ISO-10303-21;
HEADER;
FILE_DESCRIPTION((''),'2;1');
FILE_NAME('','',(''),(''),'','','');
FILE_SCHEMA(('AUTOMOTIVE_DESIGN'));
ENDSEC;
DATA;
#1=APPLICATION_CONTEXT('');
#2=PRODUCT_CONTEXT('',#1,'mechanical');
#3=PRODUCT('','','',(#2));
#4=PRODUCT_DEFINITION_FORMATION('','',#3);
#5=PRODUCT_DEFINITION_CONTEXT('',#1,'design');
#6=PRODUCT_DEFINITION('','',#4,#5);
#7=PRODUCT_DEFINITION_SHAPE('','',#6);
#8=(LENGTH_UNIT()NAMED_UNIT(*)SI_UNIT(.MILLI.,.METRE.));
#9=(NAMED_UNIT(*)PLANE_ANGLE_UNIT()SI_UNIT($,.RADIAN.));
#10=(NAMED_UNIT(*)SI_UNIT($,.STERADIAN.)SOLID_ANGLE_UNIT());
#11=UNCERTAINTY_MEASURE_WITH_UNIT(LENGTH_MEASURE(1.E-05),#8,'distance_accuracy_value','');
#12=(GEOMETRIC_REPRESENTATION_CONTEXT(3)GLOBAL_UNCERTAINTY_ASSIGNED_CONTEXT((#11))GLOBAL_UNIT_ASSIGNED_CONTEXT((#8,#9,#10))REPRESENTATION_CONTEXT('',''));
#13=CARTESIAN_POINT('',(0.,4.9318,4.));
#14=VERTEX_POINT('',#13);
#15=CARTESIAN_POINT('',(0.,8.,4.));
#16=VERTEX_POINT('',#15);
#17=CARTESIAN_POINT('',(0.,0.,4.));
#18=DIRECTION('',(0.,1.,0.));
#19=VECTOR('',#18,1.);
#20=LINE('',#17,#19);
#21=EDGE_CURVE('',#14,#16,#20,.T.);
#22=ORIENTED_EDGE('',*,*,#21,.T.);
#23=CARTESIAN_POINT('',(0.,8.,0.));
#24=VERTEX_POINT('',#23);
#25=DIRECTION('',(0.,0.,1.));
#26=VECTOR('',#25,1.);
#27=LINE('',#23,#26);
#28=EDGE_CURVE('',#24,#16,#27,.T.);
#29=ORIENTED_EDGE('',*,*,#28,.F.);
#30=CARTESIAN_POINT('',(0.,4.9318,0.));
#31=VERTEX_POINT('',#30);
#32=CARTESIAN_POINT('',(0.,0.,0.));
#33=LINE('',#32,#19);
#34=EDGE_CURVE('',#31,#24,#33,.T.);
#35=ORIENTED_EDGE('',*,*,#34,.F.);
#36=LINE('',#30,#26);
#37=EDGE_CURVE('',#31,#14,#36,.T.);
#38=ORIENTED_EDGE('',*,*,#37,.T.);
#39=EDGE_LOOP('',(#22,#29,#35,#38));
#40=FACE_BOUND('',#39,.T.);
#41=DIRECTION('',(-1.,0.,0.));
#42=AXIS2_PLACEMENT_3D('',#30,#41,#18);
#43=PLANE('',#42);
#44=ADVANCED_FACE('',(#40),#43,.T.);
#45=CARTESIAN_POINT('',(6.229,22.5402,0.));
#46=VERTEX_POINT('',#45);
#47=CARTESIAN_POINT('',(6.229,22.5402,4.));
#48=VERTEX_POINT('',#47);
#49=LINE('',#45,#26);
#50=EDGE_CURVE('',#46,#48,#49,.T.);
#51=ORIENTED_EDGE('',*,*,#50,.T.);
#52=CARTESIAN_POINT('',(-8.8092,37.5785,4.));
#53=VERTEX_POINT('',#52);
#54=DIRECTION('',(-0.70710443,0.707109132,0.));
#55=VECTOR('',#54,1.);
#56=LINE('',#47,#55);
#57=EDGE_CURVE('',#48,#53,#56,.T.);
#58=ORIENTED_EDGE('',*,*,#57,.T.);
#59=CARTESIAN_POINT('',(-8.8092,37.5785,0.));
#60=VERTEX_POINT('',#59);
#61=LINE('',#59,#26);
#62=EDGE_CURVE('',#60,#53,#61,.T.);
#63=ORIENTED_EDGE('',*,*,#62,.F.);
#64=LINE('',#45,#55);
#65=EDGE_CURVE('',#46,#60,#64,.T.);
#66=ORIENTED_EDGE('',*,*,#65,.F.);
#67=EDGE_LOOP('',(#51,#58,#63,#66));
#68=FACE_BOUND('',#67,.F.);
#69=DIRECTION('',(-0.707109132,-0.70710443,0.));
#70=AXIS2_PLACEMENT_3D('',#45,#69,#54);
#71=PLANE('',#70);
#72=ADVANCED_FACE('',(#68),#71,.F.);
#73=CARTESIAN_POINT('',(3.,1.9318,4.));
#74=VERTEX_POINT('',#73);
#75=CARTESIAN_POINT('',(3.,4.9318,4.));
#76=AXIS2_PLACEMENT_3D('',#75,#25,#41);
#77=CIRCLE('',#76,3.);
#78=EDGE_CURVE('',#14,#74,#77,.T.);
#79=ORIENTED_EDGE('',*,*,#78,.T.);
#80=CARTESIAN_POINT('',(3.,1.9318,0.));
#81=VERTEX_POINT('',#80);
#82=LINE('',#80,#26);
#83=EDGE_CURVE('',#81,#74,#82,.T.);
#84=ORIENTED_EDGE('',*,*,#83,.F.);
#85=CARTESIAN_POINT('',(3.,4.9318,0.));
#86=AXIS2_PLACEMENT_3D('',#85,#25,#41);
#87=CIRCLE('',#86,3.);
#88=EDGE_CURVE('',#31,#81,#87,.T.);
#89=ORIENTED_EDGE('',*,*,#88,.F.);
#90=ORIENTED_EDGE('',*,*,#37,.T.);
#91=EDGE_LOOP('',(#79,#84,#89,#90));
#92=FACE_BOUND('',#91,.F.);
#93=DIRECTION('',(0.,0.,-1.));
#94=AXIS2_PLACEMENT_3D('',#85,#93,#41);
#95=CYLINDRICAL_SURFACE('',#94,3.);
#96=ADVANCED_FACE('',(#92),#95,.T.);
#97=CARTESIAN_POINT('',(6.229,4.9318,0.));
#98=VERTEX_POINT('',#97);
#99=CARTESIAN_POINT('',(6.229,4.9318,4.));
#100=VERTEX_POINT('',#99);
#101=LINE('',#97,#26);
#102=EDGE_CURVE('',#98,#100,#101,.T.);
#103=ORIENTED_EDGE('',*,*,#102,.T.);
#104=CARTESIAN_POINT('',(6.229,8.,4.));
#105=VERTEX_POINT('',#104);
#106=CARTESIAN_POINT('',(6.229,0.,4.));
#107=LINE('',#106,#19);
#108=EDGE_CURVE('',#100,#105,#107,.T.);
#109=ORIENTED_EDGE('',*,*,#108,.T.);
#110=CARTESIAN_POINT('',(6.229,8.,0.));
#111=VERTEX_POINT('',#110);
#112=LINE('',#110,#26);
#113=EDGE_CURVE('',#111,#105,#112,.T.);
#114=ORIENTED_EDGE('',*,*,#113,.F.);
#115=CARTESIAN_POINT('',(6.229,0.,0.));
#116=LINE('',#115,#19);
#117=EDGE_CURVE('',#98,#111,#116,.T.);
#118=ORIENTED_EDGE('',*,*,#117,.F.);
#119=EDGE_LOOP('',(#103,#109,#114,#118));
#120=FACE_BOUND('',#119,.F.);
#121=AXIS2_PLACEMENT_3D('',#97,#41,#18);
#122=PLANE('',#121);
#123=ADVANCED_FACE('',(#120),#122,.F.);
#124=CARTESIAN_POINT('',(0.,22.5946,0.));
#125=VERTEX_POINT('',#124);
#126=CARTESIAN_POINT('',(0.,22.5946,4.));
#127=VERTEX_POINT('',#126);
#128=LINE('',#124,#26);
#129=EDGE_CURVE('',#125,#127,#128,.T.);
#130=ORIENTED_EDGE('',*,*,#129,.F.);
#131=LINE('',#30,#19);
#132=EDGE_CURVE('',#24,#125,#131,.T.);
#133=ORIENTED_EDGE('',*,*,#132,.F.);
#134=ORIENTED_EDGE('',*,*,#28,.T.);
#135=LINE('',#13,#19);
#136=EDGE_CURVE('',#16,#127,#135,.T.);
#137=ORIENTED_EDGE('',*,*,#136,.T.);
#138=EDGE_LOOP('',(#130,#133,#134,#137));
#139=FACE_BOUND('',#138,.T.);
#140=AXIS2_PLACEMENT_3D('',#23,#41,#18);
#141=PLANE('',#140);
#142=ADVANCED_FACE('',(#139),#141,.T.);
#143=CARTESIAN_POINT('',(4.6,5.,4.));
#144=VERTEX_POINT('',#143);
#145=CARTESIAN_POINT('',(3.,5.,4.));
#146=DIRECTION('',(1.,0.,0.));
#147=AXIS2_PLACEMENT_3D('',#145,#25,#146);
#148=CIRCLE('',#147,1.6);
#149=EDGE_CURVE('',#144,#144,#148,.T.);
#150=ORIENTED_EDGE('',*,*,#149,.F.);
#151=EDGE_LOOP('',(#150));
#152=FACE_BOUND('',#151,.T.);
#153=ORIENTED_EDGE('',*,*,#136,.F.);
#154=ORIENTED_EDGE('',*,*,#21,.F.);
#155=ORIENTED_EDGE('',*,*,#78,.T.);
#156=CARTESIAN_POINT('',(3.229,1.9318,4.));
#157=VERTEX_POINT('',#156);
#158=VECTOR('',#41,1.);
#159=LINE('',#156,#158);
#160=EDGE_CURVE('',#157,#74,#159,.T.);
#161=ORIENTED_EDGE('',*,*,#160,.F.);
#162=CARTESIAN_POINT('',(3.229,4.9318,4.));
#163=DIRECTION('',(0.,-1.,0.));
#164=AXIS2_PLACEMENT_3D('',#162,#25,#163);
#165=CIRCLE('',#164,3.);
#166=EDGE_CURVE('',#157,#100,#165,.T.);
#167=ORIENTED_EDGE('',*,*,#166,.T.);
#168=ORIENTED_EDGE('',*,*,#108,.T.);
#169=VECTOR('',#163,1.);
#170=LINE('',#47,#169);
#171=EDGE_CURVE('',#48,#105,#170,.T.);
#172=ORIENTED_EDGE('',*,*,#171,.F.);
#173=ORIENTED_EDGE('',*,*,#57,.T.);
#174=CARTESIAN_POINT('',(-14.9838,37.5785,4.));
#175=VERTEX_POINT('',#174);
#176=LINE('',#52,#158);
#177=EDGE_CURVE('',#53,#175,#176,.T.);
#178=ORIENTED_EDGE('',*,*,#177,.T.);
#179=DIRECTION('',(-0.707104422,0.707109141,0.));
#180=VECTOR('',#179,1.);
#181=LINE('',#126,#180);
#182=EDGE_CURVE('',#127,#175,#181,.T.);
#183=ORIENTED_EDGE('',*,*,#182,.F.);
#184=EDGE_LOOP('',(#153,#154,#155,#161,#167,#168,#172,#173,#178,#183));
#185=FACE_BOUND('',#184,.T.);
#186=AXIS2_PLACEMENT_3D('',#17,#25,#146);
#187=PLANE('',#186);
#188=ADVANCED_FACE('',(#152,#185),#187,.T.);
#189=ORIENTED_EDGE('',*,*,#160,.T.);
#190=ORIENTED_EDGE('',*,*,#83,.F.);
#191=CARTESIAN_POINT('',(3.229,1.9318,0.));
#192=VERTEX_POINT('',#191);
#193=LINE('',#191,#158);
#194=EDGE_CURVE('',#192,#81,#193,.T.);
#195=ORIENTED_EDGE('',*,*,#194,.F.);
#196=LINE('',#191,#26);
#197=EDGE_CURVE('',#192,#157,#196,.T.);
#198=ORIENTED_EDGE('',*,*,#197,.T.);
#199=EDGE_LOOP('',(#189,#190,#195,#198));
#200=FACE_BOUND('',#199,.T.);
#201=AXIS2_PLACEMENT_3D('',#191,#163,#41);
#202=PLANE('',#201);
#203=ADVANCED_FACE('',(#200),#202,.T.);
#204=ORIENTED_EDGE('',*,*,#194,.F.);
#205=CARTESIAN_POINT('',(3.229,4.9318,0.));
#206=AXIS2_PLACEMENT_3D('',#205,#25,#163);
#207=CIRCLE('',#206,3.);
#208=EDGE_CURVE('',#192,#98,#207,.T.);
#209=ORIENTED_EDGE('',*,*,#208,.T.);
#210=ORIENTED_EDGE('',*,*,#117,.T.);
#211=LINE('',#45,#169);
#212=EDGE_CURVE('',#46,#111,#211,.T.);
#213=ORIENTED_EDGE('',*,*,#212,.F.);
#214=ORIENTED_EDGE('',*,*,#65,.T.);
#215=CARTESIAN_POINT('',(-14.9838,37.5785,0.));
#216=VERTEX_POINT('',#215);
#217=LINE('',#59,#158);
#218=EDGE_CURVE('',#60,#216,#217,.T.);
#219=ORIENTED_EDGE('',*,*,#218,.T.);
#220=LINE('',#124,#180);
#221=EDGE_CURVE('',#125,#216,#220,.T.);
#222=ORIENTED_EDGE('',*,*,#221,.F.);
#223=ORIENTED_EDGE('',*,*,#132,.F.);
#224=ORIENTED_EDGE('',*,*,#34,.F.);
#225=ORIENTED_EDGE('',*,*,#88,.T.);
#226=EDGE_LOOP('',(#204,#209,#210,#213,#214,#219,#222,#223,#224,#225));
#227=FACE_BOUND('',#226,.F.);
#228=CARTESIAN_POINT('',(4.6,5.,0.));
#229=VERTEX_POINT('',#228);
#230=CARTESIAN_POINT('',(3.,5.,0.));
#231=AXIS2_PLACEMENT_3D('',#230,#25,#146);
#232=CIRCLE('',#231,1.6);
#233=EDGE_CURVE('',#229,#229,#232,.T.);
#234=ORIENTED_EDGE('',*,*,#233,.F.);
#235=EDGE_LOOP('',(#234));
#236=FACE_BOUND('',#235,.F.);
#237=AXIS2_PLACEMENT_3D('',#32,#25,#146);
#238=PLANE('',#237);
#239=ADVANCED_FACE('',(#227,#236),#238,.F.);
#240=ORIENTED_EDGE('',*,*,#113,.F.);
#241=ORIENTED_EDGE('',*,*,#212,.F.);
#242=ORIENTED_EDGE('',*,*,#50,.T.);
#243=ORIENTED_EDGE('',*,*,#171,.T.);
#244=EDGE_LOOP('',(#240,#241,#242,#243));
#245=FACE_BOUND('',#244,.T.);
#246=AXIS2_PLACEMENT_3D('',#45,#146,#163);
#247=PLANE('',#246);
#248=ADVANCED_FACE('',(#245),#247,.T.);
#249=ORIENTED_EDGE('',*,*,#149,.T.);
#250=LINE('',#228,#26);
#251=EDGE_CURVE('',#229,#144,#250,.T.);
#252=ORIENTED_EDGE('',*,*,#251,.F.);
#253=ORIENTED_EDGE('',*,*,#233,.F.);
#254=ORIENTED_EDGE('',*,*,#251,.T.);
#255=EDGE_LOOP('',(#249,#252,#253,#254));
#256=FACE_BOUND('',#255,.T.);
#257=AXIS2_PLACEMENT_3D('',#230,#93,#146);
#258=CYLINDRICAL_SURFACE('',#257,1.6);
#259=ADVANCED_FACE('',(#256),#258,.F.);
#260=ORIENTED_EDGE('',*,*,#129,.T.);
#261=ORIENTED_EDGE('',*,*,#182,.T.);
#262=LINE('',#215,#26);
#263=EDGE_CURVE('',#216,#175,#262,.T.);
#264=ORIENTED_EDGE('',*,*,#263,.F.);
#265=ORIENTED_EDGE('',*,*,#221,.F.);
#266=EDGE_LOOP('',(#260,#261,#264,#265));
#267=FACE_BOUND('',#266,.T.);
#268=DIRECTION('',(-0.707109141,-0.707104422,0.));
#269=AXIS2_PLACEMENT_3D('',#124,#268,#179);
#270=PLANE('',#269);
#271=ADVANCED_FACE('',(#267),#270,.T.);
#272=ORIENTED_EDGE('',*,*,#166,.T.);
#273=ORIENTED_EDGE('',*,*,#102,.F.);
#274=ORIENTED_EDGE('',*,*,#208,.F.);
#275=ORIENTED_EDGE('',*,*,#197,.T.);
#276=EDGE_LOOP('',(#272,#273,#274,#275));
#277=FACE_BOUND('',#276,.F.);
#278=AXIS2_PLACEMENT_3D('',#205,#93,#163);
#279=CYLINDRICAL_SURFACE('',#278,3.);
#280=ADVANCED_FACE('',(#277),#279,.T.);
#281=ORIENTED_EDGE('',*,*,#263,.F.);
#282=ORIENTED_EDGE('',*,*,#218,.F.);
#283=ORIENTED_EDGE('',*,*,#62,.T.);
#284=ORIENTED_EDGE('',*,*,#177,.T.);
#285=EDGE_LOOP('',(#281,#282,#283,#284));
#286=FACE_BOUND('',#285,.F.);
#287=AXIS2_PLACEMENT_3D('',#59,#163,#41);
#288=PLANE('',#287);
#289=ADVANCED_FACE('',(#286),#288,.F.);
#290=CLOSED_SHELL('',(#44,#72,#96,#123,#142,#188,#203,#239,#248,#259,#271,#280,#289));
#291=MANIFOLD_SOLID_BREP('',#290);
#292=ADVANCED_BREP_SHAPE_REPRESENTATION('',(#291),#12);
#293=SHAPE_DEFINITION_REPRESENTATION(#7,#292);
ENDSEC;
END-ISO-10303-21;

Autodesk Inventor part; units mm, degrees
ref_plane "YZ Plane" through (0, 0, 0) normal (1, 0, 0) x (0, 1, 0)
ref_plane "XZ Plane" through (0, 0, 0) normal (0, 1, 0) x (-1, 0, 0)
ref_plane "XY Plane" through (0, 0, 0) normal (0, 0, 1) x (1, 0, 0)
sketch "Szkic1" plane through (0, 0, 0) normal (0, 0, 1) x (1, 0, 0)
  circle A0 centre (3, 5) radius 1.45 projected
  circle A1 centre (3, 5) radius 1.6
  line L0 (6.229, 0) -> (6.229, 8) projected
  line L1 (0, 0) -> (0, 8) projected
  line L2 (3.229, 1.9318) -> (3, 1.9318)
  line L3 (0, 4.9318) -> (0, 22.5946)
  line L4 (6.229, 22.5402) -> (6.229, 4.9318)
  arc A2 (3.229, 1.9318) -> (6.229, 4.9318) centre (3.229, 4.9318) ccw
  arc A3 (0, 4.9318) -> (3, 1.9318) centre (3, 4.9318) ccw
  line L5 (0, 22.5946) -> (-14.9838, 37.5785)
  line L6 (6.229, 22.5402) -> (-8.8092, 37.5785)
  line L7 (-8.8092, 37.5785) -> (-14.9838, 37.5785)
  point P0 (6.229, 1.9318)
  dimension "d0" = 3.2
  dimension "d1" = 3
  dimension "d2" = 135
extrude "Wyciągnięcie proste1" add sketch "Szkic1" along normal blind 4 contours A2 L2 A3 L1 L3 L5 L7 L6 L4 L0
properties part number "mirror_holder"
